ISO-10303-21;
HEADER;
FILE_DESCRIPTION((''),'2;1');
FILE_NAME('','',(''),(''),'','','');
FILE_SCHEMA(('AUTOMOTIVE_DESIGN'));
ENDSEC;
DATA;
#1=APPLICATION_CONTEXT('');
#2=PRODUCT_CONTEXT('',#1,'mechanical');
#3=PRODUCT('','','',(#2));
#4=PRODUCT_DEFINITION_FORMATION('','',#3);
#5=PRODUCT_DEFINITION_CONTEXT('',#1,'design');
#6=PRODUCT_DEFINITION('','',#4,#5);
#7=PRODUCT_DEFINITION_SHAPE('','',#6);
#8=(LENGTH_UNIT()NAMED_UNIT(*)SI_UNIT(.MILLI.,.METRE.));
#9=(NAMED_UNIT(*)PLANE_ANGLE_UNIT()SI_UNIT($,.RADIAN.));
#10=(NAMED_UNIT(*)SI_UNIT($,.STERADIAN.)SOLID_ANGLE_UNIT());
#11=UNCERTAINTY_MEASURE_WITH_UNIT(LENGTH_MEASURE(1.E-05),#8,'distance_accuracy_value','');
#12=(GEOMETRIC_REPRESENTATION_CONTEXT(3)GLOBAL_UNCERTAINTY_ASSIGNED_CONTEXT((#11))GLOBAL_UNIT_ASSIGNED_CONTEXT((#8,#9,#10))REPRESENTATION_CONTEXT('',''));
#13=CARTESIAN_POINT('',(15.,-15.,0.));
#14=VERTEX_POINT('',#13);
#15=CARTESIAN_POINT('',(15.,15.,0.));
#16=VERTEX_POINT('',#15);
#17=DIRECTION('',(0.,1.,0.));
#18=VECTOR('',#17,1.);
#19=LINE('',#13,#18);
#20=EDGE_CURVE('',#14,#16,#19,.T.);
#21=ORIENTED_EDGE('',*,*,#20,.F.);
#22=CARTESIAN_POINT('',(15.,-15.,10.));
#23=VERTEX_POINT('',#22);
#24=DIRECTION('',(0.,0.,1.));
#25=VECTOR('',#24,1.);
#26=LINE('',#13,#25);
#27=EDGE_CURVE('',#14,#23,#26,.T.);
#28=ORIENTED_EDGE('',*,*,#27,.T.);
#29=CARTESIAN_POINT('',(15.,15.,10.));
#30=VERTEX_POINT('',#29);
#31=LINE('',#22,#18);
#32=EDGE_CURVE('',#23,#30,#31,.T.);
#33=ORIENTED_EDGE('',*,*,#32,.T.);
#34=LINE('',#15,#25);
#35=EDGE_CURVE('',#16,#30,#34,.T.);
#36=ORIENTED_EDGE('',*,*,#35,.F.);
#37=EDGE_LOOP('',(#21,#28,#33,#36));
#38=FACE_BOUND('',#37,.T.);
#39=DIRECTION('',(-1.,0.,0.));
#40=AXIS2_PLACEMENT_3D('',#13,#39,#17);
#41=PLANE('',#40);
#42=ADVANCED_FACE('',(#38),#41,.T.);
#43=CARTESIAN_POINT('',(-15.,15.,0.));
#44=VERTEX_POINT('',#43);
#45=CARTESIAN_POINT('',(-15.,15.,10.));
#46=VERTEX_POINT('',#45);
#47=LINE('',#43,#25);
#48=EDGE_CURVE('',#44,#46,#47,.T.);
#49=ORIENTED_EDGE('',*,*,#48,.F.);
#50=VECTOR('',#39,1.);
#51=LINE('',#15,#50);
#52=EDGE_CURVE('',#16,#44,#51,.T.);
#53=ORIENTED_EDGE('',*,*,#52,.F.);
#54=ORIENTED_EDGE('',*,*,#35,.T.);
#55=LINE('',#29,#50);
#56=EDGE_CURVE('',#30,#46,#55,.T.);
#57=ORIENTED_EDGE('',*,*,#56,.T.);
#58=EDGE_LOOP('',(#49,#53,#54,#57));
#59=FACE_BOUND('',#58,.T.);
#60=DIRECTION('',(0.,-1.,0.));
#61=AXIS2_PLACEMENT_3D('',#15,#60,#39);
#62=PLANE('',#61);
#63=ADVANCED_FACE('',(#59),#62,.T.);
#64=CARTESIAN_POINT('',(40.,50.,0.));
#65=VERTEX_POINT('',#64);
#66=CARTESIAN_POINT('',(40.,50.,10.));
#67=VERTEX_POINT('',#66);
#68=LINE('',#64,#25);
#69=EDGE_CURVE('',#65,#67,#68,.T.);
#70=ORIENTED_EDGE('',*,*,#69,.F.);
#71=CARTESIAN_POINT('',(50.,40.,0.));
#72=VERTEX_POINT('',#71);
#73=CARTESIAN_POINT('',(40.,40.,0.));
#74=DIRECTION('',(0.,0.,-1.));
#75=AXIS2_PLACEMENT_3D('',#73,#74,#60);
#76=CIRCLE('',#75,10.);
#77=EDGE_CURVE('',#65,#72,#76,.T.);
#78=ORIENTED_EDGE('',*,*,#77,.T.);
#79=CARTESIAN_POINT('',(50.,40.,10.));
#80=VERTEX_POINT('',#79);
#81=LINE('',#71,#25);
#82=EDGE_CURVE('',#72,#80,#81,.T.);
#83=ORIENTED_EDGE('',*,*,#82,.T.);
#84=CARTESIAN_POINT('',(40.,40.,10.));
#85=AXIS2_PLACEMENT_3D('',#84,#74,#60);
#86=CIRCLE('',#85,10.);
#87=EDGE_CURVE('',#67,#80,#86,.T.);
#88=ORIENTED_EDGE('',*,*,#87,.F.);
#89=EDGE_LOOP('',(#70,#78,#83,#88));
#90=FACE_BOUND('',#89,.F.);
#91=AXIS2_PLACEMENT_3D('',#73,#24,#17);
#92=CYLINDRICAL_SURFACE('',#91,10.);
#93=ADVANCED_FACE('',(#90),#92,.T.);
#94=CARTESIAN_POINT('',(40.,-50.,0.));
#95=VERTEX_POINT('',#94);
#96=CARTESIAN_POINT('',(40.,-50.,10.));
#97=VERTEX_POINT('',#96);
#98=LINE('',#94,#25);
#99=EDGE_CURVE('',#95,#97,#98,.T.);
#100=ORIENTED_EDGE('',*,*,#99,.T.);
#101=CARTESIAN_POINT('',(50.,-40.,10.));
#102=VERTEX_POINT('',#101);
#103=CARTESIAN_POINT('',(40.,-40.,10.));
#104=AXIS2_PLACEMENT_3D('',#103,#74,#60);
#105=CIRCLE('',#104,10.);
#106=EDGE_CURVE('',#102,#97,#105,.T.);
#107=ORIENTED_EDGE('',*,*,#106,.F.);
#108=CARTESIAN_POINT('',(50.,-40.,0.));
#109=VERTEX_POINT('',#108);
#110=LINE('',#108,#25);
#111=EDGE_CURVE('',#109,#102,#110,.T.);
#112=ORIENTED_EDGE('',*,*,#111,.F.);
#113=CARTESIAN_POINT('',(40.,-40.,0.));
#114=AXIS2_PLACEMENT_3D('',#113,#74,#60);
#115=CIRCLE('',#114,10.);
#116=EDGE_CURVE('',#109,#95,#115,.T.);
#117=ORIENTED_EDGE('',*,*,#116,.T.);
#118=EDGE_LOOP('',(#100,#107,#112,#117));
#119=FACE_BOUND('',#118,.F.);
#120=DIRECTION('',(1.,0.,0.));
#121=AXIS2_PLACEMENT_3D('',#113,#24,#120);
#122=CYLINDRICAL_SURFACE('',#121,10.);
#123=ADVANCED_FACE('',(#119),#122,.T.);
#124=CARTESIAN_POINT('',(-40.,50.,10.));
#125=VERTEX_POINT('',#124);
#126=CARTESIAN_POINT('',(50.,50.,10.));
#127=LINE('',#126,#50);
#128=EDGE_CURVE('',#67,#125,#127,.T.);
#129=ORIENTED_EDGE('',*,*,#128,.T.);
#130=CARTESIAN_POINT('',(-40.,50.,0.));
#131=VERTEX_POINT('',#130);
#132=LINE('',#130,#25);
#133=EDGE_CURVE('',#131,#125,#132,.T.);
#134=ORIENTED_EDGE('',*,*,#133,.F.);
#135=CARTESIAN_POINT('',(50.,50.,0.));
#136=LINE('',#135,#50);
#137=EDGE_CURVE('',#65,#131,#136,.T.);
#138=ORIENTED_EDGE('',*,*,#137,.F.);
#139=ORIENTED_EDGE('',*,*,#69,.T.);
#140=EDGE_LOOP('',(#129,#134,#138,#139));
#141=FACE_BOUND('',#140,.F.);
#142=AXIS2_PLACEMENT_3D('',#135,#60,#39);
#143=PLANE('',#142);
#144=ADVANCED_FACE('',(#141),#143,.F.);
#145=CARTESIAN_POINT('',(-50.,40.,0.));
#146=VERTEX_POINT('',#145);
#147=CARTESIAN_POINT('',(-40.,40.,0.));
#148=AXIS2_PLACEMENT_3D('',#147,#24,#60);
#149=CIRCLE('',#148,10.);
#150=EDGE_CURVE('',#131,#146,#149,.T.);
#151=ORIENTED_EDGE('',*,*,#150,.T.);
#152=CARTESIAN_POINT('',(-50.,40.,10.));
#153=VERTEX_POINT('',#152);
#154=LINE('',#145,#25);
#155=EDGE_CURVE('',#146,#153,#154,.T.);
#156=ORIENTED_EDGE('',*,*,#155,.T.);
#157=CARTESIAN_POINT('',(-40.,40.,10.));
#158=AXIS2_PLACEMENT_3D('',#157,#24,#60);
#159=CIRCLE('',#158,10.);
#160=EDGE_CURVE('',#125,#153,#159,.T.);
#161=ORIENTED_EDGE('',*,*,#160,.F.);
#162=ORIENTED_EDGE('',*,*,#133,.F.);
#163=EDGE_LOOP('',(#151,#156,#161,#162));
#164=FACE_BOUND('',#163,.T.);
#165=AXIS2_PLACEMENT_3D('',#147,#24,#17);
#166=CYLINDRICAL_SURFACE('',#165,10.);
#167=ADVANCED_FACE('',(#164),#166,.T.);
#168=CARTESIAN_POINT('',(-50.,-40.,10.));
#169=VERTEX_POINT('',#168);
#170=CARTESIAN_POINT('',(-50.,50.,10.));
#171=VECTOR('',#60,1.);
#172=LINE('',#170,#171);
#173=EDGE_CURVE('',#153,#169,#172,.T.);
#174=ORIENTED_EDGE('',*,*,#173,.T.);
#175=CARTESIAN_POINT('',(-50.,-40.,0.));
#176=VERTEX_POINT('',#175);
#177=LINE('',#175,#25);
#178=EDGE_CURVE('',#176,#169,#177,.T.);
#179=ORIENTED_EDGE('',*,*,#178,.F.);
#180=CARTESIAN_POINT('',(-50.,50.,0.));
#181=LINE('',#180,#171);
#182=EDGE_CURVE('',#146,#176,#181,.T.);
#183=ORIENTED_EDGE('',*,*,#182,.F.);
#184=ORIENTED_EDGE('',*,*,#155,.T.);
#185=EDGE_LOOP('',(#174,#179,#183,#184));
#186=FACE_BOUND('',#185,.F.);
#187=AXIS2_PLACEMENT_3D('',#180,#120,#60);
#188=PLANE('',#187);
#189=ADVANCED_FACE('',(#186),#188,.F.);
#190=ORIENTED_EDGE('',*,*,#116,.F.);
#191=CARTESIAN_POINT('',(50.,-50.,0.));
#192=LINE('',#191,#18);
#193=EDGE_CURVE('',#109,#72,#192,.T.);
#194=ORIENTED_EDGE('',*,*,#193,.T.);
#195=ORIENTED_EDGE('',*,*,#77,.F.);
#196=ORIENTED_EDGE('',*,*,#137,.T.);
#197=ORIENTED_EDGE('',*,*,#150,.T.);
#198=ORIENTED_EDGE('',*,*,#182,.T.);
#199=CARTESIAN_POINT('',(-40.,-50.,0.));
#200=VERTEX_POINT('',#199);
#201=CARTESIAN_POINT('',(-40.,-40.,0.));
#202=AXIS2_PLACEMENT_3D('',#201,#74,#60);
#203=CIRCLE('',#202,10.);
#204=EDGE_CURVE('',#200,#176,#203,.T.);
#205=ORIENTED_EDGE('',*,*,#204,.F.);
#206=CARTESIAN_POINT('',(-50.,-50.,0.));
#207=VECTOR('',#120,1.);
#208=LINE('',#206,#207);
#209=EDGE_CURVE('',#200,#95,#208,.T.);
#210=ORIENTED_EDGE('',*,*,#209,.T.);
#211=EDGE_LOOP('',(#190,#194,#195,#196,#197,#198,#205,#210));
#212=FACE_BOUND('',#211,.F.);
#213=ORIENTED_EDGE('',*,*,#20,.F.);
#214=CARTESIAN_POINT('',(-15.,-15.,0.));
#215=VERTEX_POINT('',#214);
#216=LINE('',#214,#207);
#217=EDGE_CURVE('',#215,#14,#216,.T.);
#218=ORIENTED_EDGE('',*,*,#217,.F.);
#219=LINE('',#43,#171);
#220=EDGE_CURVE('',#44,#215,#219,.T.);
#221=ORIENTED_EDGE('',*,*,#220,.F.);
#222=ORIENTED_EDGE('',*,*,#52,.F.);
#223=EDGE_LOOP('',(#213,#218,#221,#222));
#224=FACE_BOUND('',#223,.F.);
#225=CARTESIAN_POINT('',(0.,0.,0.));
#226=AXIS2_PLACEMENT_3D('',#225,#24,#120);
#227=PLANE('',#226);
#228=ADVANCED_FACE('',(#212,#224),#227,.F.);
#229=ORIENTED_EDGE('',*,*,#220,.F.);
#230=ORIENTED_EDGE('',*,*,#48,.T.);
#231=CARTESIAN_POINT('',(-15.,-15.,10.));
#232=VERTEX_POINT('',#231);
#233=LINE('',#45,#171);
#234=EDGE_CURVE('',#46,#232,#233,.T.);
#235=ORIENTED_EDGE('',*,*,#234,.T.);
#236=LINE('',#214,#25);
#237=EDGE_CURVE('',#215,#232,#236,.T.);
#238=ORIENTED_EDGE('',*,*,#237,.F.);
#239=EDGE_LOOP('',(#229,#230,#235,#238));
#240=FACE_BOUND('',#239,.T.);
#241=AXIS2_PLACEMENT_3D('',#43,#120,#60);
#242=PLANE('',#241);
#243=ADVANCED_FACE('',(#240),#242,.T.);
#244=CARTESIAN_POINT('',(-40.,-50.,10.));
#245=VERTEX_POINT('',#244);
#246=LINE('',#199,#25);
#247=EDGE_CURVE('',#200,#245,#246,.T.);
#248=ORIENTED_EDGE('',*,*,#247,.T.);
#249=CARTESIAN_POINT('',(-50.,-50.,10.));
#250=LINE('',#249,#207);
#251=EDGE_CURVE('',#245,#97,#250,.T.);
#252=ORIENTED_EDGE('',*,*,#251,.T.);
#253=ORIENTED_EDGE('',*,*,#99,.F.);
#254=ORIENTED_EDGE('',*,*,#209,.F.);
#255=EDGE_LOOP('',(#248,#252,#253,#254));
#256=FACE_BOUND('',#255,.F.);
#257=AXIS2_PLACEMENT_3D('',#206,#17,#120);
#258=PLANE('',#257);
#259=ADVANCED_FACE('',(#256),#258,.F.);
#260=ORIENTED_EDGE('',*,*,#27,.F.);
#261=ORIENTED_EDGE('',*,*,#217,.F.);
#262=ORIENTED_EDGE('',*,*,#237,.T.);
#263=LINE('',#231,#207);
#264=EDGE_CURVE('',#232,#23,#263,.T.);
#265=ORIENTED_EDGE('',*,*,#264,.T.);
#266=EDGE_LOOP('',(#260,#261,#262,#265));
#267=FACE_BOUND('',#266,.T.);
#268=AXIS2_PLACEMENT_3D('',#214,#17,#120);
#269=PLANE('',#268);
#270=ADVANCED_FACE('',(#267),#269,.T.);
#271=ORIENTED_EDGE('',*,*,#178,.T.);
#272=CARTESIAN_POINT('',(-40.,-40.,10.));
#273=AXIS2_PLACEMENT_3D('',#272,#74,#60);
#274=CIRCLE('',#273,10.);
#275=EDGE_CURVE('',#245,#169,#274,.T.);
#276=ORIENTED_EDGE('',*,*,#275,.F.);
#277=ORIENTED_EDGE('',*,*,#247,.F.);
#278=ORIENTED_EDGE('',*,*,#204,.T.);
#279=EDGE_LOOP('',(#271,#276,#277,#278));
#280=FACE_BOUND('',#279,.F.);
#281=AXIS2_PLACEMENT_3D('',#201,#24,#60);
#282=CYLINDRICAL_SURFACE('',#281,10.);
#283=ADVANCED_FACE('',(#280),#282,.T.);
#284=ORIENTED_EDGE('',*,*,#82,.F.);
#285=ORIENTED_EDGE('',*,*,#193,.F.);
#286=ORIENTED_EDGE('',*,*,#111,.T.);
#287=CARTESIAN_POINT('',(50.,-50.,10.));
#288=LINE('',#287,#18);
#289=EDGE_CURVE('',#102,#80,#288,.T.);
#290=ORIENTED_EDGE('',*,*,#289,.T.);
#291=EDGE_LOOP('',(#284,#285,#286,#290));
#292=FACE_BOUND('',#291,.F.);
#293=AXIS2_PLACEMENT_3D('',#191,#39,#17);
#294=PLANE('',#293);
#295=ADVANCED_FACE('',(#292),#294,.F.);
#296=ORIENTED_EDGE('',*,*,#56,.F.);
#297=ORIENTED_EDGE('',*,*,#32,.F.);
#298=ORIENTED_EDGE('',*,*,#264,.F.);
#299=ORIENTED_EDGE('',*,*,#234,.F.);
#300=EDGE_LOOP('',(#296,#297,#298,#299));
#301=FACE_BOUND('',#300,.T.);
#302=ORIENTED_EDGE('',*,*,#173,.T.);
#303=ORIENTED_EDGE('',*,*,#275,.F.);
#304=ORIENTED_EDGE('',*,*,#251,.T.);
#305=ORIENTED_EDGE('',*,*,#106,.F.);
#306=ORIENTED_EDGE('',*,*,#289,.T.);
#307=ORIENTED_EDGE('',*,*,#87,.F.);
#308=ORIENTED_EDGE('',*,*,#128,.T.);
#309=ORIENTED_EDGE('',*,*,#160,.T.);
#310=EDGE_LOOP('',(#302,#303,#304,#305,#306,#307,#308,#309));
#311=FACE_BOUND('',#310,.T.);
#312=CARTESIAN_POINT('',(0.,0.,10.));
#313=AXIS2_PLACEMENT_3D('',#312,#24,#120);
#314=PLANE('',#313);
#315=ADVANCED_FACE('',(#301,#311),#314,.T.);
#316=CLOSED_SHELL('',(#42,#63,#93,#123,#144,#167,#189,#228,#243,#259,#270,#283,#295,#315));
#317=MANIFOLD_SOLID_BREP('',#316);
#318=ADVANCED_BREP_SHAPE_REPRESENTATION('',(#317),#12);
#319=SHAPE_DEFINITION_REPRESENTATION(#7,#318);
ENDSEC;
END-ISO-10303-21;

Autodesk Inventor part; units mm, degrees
ref_plane "YZ Plane" through (0, 0, 0) normal (1, 0, 0) x (0, 1, 0)
ref_plane "XZ Plane" through (0, 0, 0) normal (0, 1, 0) x (-1, 0, 0)
ref_plane "XY Plane" through (0, 0, 0) normal (0, 0, 1) x (1, 0, 0)
sketch "Esboço1" plane through (0, 0, 0) normal (0, 0, 1) x (1, 0, 0)
  line L0 (-50, -50) -> (50, -50)
  line L1 (50, -50) -> (50, 50)
  line L2 (50, 50) -> (-50, 50)
  line L3 (-50, 50) -> (-50, -50)
  line L4 (-50, -50) -> (50, 50) construction
  line L5 (50, -50) -> (-50, 50) construction
  line L6 (-15, -15) -> (15, -15)
  line L7 (15, -15) -> (15, 15)
  line L8 (15, 15) -> (-15, 15)
  line L9 (-15, 15) -> (-15, -15)
  line L10 (-15, -15) -> (15, 15) construction
  line L11 (15, -15) -> (-15, 15) construction
  point P0 (0, 0)
  dimension "d0" = 100
  dimension "d1" = 100
  dimension "d2" = 30
  dimension "d3" = 30
extrude "Extrusão1" add sketch "Esboço1" along normal blind 10
fillet "Arredondamento1" radius 10 1 edges at (50, 50, 5)
fillet "Arredondamento2" radius 10 1 edges at (-50, 50, 5)
fillet "Arredondamento3" radius 10 1 edges at (50, -50, 5)
fillet "Arredondamento4" radius 10 1 edges at (-50, -50, 5)
properties part number "placa_furo_quadrado"
